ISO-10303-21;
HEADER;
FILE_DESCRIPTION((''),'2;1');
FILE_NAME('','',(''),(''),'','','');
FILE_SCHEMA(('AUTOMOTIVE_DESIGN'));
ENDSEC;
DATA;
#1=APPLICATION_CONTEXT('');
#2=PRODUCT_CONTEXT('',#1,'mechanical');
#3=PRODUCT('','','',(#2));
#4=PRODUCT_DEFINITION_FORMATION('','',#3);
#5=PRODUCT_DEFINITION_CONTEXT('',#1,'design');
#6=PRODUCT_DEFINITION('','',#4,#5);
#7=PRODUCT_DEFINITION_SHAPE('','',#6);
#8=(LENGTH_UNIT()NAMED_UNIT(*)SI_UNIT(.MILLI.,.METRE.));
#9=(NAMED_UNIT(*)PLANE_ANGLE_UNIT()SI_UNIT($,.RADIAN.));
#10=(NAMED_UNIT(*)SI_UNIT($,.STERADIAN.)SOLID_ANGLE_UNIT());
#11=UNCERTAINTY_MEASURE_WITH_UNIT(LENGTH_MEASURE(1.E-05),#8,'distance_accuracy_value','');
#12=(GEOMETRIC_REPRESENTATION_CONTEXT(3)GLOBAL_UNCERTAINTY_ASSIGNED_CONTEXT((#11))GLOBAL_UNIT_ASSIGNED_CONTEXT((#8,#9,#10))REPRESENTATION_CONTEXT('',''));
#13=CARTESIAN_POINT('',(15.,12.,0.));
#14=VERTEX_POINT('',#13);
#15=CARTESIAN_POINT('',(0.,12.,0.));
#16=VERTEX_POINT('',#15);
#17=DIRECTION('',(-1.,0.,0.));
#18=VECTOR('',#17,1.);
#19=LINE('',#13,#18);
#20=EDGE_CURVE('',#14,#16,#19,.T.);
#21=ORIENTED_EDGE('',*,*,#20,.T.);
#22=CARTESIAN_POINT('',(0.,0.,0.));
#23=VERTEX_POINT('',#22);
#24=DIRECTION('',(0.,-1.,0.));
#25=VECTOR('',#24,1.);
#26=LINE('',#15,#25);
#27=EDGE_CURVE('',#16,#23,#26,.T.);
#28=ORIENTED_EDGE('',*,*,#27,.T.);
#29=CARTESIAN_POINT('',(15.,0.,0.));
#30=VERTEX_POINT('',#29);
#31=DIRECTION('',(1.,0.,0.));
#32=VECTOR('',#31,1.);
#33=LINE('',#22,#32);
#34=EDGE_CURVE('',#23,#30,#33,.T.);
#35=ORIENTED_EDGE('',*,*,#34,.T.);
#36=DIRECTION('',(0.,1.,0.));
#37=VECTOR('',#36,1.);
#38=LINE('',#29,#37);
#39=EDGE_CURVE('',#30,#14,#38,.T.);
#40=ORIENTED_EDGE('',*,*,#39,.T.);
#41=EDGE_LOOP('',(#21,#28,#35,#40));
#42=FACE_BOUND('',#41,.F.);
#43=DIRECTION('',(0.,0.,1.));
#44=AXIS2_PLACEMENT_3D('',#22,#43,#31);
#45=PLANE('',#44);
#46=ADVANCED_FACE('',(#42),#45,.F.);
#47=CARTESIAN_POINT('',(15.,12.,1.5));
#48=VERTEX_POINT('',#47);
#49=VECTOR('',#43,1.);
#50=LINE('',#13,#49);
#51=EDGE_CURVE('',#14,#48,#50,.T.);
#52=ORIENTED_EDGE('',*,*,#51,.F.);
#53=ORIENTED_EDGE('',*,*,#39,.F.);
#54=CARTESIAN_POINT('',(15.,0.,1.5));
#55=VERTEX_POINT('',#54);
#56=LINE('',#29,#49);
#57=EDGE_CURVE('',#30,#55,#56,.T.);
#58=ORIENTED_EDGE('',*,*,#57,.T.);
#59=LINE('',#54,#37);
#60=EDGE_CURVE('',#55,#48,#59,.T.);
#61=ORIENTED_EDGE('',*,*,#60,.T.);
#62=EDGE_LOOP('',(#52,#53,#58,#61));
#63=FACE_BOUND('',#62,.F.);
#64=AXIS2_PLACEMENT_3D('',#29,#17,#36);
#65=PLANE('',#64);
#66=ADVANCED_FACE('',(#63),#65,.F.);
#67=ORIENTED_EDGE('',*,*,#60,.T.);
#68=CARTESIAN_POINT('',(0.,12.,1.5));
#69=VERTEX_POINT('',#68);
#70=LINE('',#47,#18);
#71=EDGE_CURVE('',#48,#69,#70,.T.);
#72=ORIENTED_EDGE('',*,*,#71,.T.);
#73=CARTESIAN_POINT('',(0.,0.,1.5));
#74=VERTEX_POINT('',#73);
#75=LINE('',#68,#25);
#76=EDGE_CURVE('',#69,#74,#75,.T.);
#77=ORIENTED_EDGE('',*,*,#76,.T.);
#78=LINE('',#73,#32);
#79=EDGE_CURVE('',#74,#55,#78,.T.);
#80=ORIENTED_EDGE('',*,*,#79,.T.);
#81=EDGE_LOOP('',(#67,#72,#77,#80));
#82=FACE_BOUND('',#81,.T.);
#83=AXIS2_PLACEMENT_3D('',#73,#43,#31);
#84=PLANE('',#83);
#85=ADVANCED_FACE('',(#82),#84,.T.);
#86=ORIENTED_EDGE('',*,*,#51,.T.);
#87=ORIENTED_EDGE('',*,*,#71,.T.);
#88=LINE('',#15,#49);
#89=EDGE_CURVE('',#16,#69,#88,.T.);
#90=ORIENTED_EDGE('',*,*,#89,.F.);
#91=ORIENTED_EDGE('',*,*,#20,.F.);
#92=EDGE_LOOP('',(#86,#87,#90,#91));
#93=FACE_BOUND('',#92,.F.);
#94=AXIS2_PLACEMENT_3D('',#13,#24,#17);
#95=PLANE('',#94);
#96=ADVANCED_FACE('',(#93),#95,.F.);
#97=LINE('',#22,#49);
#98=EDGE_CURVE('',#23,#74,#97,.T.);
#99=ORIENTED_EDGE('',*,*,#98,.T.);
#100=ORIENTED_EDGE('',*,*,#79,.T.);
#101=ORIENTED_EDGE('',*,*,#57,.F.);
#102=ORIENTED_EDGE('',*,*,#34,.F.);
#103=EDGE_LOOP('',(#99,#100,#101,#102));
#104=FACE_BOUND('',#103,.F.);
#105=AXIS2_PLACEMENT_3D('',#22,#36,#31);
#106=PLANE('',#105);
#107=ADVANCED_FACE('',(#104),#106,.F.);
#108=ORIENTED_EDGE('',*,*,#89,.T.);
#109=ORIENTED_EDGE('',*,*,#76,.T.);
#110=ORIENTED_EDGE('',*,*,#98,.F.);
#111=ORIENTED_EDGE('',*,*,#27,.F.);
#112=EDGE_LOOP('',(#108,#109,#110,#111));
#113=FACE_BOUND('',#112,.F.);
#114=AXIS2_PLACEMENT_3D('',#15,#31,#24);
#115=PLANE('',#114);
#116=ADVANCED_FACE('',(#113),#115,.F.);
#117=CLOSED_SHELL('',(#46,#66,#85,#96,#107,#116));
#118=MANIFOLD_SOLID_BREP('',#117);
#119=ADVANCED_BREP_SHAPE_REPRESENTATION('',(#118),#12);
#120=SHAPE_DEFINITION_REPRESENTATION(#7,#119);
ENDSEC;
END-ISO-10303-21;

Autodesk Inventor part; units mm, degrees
ref_plane "YZ Plane" through (0, 0, 0) normal (1, 0, 0) x (0, 1, 0)
ref_plane "XZ Plane" through (0, 0, 0) normal (0, 1, 0) x (-1, 0, 0)
ref_plane "XY Plane" through (0, 0, 0) normal (0, 0, 1) x (1, 0, 0)
sketch "Sketch1" plane through (0, 0, 0) normal (0, 0, 1) x (1, 0, 0)
  line L0 (0, 0) -> (15, 0)
  line L1 (15, 0) -> (15, 12)
  line L2 (15, 12) -> (0, 12)
  line L3 (0, 12) -> (0, 0)
  dimension "d0" = 15
  dimension "d1" = 12
extrude "Extrusion1" add sketch "Sketch1" along normal blind 1.5
properties part number "R003"
